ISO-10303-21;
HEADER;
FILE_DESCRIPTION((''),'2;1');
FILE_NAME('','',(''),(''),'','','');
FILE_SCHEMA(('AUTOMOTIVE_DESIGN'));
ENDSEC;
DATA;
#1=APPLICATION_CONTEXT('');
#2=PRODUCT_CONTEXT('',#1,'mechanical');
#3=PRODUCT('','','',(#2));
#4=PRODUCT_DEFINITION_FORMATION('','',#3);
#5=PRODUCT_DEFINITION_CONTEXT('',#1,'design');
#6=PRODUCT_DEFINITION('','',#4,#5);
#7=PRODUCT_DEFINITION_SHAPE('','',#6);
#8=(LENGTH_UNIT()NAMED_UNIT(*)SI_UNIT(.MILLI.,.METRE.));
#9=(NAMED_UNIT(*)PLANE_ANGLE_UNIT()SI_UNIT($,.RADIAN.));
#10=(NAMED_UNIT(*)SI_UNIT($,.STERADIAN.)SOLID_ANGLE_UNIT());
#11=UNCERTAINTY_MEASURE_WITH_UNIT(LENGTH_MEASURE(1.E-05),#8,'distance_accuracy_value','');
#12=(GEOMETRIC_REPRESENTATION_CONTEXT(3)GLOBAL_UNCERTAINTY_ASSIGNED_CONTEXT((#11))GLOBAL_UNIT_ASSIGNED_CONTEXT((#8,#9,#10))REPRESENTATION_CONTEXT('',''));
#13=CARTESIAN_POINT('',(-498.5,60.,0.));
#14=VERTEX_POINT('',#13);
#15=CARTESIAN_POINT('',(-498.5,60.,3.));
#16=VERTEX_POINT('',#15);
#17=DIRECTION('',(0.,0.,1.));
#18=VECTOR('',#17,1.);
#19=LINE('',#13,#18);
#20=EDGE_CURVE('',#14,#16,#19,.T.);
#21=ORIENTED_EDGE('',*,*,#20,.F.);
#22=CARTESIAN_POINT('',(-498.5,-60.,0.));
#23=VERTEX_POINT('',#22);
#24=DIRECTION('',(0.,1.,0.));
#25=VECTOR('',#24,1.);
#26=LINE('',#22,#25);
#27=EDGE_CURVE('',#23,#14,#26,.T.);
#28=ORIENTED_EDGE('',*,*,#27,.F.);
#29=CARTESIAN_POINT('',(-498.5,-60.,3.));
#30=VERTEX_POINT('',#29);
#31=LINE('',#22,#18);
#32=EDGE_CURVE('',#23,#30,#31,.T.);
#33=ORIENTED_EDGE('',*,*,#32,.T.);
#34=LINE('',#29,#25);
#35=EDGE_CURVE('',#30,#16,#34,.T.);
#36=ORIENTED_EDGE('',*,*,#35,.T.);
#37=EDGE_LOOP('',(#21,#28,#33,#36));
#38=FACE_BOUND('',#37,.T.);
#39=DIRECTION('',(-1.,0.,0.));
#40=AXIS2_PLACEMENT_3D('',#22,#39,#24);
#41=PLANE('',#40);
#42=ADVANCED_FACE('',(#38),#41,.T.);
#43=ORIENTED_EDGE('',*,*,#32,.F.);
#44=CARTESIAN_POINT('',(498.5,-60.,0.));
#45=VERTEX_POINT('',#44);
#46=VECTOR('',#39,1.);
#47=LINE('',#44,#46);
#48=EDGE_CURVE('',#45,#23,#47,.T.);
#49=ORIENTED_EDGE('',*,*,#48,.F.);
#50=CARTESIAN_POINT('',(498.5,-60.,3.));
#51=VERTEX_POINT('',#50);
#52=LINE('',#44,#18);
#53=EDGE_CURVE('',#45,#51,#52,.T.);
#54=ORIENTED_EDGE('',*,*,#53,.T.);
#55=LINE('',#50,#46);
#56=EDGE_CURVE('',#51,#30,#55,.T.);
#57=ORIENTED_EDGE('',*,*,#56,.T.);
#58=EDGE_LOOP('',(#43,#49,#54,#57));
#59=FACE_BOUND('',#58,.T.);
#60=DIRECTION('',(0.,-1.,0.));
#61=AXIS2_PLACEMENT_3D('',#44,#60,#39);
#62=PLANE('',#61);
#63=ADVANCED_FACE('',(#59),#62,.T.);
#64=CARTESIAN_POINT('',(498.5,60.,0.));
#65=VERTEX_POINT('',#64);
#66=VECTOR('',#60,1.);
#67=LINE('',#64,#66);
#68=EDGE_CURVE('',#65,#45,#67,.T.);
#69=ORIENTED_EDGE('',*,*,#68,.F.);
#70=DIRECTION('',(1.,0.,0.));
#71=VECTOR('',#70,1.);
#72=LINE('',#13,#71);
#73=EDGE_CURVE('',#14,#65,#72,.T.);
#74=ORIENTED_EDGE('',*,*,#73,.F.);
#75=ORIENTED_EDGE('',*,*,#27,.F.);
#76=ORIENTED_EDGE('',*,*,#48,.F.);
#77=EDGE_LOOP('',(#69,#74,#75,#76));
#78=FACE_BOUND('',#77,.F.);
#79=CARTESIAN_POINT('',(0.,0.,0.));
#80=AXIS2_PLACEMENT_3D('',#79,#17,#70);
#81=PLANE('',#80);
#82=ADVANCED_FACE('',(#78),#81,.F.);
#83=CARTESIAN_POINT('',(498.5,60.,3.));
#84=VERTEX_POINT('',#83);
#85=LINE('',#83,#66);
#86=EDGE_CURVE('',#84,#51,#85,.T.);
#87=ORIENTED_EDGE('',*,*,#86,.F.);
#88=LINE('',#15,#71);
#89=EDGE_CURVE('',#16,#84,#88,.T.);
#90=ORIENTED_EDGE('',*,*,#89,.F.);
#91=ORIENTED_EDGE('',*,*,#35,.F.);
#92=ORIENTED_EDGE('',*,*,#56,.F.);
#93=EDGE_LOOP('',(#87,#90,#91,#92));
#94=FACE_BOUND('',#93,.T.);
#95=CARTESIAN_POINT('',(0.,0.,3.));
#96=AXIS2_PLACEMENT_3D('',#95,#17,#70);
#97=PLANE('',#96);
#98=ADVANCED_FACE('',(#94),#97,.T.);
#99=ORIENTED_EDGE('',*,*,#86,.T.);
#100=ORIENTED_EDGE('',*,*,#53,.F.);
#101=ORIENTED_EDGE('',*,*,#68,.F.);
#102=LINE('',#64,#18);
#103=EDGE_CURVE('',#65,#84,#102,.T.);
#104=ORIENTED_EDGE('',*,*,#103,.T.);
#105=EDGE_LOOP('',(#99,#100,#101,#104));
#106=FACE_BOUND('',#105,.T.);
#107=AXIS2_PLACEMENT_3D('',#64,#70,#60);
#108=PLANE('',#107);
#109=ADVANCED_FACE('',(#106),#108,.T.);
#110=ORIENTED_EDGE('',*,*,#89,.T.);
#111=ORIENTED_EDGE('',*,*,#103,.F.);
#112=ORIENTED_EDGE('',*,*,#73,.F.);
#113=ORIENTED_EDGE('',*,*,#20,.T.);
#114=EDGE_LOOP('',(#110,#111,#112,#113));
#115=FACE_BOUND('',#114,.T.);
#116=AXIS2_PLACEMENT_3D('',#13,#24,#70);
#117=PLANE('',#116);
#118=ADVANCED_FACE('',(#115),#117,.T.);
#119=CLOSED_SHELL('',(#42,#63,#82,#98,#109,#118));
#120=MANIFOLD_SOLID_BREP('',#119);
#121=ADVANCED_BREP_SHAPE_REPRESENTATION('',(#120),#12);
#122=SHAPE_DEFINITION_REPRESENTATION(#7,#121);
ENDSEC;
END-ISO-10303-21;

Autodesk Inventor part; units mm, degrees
ref_plane "YZ Plane" through (0, 0, 0) normal (1, 0, 0) x (0, 1, 0)
ref_plane "XZ Plane" through (0, 0, 0) normal (0, 1, 0) x (-1, 0, 0)
ref_plane "XY Plane" through (0, 0, 0) normal (0, 0, 1) x (1, 0, 0)
sketch "草图1" plane through (0, 0, 0) normal (0, 0, 1) x (1, 0, 0)
  line L0 (498.5, -60) -> (-498.5, -60)
  line L1 (-498.5, -60) -> (-498.5, 60)
  line L2 (-498.5, 60) -> (498.5, 60)
  line L3 (498.5, 60) -> (498.5, -60)
  line L4 (498.5, -60) -> (-498.5, 60) construction
  line L5 (-498.5, -60) -> (498.5, 60) construction
  point P0 (0, 0)
  dimension "d0" = 120
  dimension "d1" = 997
extrude "拉伸1" add sketch "草图1" along normal blind 3
properties part number "板材"
